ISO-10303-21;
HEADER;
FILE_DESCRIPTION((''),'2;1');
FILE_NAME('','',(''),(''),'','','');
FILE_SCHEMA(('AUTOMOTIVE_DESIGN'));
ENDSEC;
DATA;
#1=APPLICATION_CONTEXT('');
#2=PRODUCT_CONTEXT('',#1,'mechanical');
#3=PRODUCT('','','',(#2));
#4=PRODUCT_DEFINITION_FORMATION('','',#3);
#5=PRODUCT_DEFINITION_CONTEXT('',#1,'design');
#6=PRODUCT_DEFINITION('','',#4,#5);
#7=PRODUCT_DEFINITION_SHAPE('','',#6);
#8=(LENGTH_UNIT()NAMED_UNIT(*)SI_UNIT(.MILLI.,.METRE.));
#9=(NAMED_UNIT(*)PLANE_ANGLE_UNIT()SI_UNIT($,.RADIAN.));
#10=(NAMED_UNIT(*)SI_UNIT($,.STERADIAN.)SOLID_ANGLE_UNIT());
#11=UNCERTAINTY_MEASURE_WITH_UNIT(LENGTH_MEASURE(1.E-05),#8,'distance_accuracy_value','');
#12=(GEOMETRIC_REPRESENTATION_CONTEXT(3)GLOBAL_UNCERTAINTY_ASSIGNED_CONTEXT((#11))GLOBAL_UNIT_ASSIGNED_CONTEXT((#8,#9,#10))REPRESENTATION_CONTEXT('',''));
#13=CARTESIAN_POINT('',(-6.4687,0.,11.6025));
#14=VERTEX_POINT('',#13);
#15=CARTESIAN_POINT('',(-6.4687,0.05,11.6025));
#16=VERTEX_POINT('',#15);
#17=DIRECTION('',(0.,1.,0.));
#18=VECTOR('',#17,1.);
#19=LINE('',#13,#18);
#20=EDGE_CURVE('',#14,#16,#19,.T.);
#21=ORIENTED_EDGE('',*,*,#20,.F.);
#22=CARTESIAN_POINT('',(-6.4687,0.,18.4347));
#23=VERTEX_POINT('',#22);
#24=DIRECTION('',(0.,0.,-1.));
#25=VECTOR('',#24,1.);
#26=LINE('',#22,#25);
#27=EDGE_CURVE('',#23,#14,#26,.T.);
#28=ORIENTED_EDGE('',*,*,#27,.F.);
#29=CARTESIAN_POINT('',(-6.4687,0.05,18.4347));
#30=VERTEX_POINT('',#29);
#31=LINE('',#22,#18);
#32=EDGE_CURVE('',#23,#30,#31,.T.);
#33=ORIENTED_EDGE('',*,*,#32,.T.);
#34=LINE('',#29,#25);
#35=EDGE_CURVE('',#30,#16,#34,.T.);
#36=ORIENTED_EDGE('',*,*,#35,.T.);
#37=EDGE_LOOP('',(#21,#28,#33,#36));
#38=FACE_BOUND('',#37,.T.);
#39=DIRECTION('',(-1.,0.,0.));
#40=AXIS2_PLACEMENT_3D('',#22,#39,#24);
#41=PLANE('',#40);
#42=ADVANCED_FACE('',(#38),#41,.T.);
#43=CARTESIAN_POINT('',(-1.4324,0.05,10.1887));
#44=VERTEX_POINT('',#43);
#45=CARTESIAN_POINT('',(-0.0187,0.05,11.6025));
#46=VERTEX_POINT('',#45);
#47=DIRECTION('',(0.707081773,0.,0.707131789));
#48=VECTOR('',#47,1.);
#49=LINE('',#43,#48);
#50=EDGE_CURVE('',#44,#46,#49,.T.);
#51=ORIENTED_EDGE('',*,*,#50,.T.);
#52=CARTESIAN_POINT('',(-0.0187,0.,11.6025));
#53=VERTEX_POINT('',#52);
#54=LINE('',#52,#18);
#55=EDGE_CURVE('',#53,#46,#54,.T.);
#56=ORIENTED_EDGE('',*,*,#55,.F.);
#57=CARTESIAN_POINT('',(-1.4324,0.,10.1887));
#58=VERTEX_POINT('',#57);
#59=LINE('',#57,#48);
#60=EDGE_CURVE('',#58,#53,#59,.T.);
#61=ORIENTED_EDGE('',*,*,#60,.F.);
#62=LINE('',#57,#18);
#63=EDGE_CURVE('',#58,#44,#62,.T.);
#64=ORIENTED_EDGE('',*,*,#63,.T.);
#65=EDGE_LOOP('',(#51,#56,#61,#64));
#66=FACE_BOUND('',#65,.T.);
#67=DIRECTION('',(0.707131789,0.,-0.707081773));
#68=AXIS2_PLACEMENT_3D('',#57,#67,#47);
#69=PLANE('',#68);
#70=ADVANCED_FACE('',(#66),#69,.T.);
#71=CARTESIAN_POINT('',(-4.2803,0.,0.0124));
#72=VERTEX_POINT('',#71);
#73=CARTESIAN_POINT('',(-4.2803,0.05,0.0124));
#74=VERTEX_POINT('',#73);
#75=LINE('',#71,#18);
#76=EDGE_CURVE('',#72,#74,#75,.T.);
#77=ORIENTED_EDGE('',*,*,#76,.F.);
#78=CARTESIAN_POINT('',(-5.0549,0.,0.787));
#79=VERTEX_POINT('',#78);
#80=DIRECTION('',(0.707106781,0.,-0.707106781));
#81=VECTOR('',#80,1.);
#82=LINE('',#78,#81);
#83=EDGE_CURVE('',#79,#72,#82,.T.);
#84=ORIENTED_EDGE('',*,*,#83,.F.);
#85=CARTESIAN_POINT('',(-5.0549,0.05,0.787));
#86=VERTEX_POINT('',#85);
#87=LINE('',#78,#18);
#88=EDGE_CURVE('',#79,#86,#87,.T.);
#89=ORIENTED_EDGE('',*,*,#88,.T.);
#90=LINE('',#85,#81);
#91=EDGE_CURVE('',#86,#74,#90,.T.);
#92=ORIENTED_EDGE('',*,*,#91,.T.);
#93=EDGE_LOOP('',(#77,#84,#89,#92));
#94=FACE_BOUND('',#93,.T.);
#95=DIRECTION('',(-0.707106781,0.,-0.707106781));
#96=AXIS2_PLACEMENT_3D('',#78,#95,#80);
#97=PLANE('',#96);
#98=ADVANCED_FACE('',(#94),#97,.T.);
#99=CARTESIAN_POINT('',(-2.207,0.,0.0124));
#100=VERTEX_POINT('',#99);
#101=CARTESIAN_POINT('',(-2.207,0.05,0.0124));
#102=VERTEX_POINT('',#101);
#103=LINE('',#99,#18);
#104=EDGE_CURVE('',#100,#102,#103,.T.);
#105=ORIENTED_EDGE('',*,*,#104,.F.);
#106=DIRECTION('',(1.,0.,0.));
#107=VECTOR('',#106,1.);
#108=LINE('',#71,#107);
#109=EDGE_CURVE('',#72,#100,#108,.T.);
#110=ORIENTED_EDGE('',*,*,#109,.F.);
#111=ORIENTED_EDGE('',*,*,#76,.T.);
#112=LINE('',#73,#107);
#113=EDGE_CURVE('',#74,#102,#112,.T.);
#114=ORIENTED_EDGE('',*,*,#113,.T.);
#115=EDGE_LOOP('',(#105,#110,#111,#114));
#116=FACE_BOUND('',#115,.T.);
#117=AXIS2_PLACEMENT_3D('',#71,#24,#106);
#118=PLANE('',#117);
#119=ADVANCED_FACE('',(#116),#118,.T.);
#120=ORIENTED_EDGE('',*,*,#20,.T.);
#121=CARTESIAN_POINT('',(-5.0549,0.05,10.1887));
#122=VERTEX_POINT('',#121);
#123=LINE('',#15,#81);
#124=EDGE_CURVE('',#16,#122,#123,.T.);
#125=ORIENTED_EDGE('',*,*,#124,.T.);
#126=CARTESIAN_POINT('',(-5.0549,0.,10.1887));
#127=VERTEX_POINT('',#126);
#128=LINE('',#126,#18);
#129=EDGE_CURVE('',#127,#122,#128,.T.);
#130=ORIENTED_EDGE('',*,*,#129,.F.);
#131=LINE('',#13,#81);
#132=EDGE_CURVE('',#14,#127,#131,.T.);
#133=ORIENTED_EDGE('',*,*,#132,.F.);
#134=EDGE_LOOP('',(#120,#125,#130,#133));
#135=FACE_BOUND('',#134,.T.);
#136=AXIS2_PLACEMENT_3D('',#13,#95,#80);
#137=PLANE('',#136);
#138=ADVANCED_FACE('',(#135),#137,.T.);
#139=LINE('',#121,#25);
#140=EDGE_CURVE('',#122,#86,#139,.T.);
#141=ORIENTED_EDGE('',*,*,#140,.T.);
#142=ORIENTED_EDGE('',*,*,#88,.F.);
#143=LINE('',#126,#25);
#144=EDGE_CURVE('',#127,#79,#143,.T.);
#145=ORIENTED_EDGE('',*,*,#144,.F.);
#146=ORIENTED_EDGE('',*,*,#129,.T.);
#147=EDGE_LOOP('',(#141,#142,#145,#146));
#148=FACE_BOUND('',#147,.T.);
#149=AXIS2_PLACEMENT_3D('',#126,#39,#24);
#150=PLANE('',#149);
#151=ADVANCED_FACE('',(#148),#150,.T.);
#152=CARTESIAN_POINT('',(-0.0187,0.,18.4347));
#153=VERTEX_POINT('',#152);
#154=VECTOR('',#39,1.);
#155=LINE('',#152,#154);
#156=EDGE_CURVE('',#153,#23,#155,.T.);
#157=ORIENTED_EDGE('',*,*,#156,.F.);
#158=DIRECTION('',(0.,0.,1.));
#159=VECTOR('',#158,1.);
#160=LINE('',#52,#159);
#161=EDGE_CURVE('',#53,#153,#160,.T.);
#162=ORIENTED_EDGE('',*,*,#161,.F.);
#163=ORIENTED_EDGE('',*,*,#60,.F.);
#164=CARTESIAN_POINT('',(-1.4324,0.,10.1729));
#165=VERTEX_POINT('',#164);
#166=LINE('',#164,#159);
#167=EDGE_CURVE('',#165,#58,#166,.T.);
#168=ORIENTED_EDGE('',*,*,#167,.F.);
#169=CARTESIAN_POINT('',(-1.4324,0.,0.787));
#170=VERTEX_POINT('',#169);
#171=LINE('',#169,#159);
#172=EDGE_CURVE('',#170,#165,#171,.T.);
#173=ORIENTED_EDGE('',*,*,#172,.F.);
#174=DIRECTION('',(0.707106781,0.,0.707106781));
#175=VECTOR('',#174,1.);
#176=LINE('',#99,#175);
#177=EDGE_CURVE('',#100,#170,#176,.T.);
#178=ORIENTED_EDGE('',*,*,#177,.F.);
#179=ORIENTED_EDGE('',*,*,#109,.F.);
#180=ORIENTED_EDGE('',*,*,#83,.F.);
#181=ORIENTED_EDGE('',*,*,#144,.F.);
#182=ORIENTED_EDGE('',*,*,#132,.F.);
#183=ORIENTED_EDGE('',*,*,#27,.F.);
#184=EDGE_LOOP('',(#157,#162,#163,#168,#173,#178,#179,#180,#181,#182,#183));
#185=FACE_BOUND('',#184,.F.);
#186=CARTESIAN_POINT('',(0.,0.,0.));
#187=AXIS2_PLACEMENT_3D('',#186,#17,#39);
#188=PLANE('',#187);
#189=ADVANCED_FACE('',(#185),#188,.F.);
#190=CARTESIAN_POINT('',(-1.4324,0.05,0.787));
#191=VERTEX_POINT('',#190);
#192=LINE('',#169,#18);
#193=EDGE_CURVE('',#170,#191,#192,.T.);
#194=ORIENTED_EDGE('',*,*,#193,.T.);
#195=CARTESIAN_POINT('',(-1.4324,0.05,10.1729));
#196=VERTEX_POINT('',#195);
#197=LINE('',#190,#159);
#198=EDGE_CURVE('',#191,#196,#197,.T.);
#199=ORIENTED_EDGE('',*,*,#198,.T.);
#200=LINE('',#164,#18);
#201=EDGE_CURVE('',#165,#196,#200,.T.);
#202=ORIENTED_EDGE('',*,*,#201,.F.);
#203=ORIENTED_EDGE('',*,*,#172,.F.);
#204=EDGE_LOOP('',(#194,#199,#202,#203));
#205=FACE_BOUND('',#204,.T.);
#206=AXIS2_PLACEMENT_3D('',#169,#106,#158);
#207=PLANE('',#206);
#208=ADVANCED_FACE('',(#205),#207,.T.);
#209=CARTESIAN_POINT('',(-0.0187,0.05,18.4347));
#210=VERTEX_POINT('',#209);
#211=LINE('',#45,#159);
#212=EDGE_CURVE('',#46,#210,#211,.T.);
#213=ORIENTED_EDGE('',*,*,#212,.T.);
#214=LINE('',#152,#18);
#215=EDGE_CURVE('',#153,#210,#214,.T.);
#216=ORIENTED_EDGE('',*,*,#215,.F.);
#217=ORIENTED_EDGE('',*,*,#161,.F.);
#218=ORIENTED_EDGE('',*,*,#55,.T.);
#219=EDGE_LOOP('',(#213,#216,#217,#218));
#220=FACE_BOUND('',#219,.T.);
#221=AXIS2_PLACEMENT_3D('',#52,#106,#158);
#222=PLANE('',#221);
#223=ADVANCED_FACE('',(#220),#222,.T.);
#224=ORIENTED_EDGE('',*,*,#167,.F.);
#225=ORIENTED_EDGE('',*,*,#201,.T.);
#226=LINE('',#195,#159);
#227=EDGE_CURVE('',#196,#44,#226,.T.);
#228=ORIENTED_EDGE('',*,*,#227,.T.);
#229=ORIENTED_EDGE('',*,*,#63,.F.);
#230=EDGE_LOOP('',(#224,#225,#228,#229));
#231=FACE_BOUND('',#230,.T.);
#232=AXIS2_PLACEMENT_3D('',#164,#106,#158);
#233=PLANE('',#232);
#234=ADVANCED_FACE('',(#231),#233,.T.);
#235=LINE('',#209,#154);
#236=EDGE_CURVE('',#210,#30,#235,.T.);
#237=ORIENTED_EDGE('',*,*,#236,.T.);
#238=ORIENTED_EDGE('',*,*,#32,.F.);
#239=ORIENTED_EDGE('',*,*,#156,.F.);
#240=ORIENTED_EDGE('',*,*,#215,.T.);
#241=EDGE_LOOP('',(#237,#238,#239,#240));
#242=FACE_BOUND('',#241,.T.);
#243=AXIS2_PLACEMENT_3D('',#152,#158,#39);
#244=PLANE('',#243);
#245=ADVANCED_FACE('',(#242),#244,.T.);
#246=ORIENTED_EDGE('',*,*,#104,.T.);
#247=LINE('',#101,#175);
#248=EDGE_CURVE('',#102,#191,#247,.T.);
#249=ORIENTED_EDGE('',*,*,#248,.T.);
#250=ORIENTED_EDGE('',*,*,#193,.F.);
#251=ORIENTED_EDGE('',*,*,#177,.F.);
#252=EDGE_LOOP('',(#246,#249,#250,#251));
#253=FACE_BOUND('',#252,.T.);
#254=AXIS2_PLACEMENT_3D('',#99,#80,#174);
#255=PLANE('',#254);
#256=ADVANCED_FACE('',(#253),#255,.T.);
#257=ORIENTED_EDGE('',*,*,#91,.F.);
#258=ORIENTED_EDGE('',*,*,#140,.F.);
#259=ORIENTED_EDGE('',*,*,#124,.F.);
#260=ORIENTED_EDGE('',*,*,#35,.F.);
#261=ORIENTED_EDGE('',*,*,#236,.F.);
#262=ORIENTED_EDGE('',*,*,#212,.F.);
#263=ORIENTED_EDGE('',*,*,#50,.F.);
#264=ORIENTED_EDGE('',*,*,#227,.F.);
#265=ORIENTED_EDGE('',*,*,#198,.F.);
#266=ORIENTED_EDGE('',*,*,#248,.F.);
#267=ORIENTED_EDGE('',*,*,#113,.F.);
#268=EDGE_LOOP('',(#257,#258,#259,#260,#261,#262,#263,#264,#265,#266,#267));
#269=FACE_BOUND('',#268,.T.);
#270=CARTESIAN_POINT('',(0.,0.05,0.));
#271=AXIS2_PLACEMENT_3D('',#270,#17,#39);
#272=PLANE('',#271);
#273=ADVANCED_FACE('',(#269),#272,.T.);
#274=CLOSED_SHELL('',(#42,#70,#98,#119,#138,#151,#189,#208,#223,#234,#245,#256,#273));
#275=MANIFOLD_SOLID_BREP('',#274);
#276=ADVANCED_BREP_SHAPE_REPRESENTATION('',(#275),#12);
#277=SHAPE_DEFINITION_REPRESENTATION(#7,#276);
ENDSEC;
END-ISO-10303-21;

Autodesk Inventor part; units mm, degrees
ref_plane "YZ Plane" through (0, 0, 0) normal (1, 0, 0) x (0, 1, 0)
ref_plane "XZ Plane" through (0, 0, 0) normal (0, 1, 0) x (-1, 0, 0)
ref_plane "XY Plane" through (0, 0, 0) normal (0, 0, 1) x (1, 0, 0)
sketch "Sketch1" plane through (0, 0, 0) normal (0, 1, 0) x (-1, 0, 0)
  line L0 (6.4687, 18.4347) -> (6.4687, 11.6025)
  line L1 (6.4687, 11.6025) -> (5.0549, 10.1887)
  line L2 (5.0549, 10.1887) -> (5.0549, 0.787)
  line L3 (5.0549, 0.787) -> (4.2803, 0.0124)
  line L4 (4.2803, 0.0124) -> (2.207, 0.0124)
  line L5 (2.207, 0.0124) -> (1.4324, 0.787)
  line L6 (1.4324, 0.787) -> (1.4324, 10.1729)
  line L7 (1.4324, 10.1729) -> (1.4324, 10.1887)
  line L8 (1.4324, 10.1887) -> (0.0187, 11.6025)
  line L9 (0.0187, 11.6025) -> (0.0187, 18.4347)
  line L10 (0.0187, 18.4347) -> (6.4687, 18.4347)
  point P0 (0, 0)
extrude "Extrusion1" add sketch "Sketch1" along normal blind 0.05
ref_plane "Work Plane1" through (-3.2437, 0, 18.4347) normal (1, 0, 0) x (0, 0, -1)
properties part number "32ch_ECoG"
